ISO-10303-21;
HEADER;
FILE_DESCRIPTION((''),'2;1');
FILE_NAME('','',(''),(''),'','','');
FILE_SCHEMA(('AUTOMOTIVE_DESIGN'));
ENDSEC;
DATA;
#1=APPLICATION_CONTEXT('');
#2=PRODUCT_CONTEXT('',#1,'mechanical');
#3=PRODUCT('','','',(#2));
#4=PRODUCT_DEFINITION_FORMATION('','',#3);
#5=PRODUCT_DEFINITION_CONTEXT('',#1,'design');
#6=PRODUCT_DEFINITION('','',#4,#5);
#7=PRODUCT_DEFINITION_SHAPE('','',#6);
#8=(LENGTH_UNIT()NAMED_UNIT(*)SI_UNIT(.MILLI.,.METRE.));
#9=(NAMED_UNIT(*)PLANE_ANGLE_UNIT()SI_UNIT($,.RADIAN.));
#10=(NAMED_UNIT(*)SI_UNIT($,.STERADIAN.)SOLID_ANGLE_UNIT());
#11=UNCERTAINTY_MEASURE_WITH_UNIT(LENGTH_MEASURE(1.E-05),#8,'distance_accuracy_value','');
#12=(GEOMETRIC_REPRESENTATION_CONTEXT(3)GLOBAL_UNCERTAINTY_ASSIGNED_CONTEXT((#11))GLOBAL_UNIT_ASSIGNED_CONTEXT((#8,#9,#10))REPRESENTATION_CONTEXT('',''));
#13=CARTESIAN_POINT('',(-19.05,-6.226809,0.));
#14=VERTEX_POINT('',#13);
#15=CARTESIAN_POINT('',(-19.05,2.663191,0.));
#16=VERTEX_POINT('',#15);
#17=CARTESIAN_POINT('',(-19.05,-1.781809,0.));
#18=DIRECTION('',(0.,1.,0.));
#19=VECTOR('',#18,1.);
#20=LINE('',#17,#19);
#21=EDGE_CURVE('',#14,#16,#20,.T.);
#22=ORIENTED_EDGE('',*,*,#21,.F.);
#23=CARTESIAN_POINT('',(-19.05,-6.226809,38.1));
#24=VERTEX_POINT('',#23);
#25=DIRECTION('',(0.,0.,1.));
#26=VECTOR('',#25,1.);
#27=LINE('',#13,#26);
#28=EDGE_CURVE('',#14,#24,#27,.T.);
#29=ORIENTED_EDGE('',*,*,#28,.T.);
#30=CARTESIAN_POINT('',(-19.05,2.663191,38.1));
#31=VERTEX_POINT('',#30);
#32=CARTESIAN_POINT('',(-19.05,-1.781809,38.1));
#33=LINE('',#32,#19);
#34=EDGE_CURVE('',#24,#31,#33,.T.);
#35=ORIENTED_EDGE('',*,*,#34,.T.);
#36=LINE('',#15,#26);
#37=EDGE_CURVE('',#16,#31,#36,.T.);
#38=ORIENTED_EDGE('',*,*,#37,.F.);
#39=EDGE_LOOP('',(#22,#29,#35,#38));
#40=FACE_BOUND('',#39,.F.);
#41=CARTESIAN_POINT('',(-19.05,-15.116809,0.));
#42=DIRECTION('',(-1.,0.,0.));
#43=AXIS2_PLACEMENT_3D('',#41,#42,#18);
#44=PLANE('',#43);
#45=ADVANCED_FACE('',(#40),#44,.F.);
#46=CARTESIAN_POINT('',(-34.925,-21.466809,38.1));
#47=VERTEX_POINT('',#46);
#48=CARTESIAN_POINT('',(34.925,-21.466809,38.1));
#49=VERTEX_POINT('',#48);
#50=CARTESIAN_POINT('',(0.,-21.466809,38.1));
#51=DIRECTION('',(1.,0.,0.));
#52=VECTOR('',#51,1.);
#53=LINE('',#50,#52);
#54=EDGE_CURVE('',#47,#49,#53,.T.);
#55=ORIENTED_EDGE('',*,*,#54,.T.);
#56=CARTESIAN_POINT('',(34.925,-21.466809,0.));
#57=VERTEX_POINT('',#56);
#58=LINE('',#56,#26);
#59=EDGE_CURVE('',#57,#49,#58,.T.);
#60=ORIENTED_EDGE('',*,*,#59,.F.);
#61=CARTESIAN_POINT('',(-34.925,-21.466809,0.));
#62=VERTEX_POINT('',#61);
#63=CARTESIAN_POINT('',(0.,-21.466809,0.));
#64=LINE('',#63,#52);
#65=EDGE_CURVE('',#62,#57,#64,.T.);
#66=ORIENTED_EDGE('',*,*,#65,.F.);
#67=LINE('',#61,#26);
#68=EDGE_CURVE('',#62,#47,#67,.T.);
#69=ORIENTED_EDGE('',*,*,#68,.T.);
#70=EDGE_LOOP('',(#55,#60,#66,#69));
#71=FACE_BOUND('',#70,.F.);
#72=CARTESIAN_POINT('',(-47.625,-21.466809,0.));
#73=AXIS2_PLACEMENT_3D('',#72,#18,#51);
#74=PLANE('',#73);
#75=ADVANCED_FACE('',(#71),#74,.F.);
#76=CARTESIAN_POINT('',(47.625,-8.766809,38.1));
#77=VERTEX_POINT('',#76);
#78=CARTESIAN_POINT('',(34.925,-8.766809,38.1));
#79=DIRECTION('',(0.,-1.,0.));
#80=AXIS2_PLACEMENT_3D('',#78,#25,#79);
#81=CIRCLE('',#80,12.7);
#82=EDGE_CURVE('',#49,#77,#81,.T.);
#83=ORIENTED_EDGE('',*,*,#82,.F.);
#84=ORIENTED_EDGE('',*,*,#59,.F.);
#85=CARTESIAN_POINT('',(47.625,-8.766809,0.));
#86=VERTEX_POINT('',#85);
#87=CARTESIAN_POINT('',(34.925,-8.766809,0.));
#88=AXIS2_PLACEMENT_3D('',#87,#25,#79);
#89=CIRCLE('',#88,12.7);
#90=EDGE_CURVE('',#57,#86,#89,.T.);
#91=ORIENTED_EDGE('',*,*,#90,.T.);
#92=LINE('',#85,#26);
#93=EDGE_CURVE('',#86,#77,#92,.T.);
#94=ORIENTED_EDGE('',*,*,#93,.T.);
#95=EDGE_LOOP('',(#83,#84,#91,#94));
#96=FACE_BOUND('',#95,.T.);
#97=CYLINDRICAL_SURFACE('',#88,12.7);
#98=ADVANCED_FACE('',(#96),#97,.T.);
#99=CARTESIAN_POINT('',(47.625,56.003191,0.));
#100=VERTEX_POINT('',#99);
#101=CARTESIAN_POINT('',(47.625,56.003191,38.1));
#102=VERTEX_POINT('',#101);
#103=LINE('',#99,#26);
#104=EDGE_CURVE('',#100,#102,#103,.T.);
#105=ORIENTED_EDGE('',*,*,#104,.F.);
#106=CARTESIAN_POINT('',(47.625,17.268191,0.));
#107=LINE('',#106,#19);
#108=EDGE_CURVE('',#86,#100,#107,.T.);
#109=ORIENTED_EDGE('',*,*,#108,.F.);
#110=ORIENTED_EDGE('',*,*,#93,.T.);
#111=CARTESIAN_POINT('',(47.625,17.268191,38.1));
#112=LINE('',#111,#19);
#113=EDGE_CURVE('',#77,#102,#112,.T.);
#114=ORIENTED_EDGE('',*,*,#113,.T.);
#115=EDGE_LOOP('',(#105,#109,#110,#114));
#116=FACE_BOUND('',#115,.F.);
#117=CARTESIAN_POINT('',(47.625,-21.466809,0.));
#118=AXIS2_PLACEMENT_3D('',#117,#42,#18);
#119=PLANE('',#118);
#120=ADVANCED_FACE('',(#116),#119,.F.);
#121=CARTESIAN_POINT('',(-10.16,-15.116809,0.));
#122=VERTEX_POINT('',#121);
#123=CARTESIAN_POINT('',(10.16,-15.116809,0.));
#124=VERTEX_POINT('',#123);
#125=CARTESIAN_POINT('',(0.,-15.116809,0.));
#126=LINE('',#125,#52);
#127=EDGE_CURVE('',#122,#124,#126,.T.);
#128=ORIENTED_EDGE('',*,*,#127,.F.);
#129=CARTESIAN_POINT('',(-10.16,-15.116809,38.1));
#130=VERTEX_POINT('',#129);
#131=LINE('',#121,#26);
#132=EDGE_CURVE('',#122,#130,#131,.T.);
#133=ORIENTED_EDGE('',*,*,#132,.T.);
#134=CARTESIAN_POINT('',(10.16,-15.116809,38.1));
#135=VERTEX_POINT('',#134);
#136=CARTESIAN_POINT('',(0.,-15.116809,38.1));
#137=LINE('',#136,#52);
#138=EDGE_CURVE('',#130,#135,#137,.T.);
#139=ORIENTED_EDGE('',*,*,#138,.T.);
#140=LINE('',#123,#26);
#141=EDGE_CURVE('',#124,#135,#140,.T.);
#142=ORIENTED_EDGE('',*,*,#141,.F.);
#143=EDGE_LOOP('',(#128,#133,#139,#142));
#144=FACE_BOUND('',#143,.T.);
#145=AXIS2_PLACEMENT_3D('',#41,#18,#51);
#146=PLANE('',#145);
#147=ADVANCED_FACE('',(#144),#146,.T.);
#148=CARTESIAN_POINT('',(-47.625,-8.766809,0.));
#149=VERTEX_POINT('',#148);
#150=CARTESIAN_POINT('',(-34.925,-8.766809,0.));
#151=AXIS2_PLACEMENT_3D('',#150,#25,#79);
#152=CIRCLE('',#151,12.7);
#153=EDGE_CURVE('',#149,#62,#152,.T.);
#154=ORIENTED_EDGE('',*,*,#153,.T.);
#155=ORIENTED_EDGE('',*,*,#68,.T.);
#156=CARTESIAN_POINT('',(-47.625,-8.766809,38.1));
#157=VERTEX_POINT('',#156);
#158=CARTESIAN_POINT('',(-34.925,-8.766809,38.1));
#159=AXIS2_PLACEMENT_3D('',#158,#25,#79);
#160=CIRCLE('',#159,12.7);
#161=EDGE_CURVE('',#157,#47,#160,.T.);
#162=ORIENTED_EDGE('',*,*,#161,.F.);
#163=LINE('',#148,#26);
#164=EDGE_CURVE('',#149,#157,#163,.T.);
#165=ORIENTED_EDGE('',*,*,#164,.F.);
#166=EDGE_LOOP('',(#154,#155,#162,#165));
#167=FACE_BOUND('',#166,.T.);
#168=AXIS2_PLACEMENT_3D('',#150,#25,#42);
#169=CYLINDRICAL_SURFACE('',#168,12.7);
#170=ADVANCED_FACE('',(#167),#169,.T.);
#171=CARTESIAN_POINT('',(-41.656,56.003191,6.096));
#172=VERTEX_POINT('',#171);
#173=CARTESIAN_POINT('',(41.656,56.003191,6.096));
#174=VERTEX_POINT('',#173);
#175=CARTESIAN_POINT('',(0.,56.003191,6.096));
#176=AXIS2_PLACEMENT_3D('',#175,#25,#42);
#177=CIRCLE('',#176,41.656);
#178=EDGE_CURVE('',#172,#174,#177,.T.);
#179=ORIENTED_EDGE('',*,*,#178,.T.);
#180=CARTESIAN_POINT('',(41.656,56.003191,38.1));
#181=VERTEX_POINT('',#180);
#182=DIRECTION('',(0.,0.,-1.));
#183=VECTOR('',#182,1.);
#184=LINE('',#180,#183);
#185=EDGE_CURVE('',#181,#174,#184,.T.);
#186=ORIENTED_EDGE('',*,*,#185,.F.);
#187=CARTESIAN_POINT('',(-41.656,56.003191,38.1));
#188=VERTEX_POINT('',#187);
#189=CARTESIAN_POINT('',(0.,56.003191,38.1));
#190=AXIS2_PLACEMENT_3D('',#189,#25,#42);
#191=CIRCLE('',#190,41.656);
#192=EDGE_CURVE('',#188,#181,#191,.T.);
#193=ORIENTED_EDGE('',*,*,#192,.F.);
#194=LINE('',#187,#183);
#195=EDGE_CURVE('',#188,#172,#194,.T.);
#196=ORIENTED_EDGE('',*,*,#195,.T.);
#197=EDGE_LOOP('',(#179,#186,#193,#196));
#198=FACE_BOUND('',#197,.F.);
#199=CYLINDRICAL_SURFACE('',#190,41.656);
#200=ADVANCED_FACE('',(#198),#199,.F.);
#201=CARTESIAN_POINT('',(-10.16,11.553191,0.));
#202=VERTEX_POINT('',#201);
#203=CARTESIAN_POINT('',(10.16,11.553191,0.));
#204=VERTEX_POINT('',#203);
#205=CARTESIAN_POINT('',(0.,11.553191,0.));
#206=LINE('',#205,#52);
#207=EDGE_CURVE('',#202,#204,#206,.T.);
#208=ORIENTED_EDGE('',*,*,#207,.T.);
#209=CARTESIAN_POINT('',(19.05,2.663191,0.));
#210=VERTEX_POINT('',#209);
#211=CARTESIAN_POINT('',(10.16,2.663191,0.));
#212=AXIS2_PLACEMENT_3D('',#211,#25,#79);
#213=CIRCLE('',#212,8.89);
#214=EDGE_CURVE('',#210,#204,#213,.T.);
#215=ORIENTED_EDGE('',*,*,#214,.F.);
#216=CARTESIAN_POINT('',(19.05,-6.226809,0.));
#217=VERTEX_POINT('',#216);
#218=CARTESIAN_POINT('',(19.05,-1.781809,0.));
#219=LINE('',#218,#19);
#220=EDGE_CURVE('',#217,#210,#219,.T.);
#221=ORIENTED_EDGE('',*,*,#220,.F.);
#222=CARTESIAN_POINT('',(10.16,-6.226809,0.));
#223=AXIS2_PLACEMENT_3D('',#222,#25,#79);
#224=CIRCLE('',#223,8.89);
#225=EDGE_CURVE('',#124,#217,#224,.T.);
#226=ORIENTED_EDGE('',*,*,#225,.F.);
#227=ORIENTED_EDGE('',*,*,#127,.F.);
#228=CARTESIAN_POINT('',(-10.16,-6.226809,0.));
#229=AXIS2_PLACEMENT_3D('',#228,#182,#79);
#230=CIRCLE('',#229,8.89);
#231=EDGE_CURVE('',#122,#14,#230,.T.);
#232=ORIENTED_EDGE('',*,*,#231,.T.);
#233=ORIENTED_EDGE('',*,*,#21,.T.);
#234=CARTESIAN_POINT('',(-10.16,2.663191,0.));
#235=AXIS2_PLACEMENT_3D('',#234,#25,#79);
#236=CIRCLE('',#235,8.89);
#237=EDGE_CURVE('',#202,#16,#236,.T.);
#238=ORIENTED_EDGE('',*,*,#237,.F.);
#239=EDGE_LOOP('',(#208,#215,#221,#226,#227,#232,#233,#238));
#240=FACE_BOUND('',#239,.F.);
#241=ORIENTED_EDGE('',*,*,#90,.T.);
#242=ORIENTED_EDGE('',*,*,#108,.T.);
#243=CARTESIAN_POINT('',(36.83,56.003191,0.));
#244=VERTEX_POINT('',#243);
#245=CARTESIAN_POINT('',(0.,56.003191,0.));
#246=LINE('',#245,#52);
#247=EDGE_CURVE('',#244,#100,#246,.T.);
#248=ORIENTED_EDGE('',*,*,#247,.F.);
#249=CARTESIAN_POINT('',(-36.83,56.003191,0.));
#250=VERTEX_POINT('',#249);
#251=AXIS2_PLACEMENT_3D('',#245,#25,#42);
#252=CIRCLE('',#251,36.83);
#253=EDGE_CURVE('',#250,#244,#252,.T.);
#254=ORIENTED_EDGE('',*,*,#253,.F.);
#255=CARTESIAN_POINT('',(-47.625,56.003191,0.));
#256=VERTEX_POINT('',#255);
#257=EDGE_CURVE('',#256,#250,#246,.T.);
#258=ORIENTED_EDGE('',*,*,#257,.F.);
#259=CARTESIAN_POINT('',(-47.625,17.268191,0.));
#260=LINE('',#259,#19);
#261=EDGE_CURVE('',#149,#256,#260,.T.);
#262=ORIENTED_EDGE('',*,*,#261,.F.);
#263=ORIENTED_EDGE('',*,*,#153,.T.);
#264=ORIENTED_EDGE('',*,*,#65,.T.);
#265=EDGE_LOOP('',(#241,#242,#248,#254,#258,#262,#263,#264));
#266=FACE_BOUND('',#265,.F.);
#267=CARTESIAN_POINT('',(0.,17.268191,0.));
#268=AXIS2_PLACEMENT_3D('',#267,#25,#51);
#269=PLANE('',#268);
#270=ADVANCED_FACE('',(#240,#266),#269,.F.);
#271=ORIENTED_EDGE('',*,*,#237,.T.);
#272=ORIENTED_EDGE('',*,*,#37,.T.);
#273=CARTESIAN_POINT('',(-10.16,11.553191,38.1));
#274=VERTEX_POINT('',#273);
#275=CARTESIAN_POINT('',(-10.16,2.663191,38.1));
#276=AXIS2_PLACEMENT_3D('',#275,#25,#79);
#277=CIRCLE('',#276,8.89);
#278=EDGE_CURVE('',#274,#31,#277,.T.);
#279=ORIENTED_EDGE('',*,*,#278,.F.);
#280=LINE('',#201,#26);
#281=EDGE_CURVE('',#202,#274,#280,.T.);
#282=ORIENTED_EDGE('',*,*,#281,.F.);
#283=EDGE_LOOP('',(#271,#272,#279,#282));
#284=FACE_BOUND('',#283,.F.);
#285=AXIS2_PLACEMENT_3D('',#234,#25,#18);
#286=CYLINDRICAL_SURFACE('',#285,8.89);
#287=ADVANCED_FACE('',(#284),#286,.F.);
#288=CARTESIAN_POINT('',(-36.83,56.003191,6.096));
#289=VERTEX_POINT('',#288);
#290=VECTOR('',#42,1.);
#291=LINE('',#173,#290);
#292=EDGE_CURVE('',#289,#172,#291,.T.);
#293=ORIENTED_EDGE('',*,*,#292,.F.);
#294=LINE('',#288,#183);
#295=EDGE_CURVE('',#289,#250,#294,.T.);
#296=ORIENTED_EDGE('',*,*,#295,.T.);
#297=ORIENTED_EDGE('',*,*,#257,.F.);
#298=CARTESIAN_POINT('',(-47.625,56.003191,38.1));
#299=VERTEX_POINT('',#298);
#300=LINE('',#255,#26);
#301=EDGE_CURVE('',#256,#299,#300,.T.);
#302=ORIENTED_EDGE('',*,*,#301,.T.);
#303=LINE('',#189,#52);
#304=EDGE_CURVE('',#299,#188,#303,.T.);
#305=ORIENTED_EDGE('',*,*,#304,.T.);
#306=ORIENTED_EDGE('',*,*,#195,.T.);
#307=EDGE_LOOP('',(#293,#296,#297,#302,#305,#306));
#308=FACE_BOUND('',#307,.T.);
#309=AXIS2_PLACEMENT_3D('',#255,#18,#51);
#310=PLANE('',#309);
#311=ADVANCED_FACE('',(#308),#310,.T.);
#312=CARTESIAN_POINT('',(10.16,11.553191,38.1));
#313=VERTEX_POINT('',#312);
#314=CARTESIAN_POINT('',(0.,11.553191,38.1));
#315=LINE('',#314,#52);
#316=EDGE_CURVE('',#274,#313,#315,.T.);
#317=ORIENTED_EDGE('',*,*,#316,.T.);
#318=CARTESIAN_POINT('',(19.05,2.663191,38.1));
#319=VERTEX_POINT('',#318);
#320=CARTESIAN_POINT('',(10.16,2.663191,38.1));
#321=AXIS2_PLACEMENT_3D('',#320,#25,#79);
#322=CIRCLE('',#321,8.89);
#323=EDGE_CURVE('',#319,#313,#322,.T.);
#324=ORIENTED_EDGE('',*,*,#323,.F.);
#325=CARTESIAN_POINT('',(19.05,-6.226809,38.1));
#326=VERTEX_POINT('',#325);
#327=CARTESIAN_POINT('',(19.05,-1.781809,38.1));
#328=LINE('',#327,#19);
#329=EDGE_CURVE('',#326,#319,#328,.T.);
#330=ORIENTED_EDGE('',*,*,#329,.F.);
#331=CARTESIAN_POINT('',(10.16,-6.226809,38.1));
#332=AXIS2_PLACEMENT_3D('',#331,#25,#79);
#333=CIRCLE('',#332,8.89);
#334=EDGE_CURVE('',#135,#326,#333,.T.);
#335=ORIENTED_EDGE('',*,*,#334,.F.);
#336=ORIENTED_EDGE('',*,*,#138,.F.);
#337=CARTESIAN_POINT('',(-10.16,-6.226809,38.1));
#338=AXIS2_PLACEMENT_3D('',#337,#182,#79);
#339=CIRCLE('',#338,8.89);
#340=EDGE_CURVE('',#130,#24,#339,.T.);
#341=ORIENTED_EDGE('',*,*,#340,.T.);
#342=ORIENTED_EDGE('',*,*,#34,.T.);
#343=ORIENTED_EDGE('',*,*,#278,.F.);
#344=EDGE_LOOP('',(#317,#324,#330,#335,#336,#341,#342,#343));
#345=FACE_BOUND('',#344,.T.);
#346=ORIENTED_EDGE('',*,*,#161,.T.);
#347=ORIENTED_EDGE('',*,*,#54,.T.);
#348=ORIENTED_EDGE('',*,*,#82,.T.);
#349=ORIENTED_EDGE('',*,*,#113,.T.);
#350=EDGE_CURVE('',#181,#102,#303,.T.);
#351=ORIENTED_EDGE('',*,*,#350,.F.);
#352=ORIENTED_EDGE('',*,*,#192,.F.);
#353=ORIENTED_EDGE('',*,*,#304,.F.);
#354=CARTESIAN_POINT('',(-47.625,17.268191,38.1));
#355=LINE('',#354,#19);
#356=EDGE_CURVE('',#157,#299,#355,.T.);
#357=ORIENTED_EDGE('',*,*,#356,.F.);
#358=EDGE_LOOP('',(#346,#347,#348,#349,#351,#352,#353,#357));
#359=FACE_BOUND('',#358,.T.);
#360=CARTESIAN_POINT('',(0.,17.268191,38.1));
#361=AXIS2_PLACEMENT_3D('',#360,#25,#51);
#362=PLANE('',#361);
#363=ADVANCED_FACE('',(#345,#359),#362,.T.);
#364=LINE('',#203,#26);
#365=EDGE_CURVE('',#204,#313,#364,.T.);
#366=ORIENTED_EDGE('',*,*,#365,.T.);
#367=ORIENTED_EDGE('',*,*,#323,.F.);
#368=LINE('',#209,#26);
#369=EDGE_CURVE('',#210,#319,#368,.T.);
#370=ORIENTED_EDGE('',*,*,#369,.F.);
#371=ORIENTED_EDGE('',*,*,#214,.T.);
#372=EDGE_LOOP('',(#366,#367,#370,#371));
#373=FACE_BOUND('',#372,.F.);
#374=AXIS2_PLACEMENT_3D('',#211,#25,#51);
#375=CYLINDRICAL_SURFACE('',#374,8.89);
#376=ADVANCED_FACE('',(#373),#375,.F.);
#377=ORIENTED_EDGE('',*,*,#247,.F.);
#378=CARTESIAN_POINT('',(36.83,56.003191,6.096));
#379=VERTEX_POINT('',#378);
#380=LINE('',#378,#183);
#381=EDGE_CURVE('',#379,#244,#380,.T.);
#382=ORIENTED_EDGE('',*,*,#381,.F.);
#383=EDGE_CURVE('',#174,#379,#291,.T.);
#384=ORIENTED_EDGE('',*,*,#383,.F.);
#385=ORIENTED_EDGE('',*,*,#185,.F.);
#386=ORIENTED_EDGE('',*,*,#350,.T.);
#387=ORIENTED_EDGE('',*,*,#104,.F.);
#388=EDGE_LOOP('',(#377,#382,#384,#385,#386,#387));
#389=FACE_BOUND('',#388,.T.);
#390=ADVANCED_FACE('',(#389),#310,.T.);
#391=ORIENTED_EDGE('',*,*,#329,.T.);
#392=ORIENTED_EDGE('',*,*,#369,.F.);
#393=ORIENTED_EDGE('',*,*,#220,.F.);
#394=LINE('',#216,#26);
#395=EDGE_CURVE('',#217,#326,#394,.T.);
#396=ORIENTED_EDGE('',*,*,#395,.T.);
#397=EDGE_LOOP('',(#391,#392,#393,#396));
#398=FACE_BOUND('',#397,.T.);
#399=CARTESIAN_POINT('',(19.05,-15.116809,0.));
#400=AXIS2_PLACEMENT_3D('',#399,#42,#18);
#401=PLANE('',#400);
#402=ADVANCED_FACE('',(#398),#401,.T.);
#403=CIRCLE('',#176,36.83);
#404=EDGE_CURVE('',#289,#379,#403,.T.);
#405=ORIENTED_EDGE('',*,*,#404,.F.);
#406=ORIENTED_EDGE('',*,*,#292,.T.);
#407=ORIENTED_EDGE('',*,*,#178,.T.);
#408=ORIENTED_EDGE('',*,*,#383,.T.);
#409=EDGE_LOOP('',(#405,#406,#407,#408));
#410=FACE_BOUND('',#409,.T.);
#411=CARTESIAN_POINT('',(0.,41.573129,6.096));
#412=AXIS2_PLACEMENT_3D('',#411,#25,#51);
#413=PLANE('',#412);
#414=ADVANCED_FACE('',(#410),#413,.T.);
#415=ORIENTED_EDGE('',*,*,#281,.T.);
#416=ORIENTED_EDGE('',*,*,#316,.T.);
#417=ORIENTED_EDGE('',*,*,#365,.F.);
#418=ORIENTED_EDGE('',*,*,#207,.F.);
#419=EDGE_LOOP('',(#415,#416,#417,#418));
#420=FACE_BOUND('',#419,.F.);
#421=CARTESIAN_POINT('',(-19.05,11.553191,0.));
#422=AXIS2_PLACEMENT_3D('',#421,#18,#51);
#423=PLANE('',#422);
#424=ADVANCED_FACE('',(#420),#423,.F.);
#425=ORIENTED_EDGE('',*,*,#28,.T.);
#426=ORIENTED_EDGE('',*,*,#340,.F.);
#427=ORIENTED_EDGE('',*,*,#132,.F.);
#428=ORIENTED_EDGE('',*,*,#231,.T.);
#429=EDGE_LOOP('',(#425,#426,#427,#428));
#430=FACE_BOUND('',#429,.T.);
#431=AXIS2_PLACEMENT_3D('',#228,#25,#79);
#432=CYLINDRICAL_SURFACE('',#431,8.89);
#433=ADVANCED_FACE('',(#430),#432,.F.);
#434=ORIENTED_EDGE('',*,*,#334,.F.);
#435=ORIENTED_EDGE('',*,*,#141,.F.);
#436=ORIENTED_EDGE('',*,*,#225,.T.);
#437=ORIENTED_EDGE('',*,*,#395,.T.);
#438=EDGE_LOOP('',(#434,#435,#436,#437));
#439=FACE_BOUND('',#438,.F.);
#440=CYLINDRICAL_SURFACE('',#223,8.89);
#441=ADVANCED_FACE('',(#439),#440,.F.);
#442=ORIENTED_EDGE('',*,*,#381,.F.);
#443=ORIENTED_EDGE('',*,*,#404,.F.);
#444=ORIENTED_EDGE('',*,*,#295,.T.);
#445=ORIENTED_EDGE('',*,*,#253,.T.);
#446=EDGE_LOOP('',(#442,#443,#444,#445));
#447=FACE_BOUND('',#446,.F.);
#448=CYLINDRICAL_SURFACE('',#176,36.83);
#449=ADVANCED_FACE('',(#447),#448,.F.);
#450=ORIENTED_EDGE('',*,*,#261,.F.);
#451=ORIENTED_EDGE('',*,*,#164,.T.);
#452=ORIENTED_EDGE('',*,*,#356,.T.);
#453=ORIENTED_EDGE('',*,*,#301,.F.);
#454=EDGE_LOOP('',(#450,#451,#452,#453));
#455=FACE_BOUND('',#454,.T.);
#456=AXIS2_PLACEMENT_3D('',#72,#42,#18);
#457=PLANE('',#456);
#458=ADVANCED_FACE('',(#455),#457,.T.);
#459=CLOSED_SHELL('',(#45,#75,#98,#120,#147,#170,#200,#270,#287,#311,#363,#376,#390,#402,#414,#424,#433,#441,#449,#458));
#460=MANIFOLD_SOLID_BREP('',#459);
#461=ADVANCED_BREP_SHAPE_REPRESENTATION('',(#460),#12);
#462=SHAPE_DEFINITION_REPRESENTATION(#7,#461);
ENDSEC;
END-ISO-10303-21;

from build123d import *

# Parameters (mm, degrees)
F0_W     = 95.25
F0_H     = 77.47
F0_W_2   = 38.1
F0_H_2   = 26.67
F1_DEPTH = 38.1
F2_R     = 12.7
F3_R     = 8.89
F5_DEPTH = 32.004
F7_DEPTH = 25.4


with BuildPart() as f1:
    # F0 (on Top) → F1 (new body)
    with BuildSketch(Plane.XY):
        with Locations((0, 17.2681905271)):
            Rectangle(F0_W, F0_H)
        with Locations((0, -1.7818094729)):
            Rectangle(F0_W_2, F0_H_2, mode=Mode.SUBTRACT)
    extrude(amount=F1_DEPTH)

    # F2
    f2_edges = [f1.edges().sort_by_distance(p)[0] for p in [
        (47.625, -21.466809, 19.05),
        (-47.625, -21.466809, 19.05),
    ]]
    fillet(f2_edges, radius=F2_R)

    # F3
    f3_edges = [f1.edges().sort_by_distance(p)[0] for p in [
        (19.05, -15.116809, 19.05),
        (19.05, 11.553191, 19.05),
        (-19.05, 11.553191, 19.05),
        (-19.05, -15.116809, 19.05),
    ]]
    fillet(f3_edges, radius=F3_R)

    # F4 (on face) → F5 (cut)
    with BuildSketch(Plane.XY.offset(38.1)):
        with BuildLine():
            ThreePointArc((-41.656, 56.0031905271), (0, 14.3471905271), (41.656, 56.0031905271))
            Line((41.656, 56.0031905271), (-41.656, 56.0031905271))
        make_face()
    extrude(amount=-F5_DEPTH, mode=Mode.SUBTRACT)

    # F6 (on face) → F7 (cut)
    with BuildSketch(Plane.XY.offset(6.096)):
        with BuildLine():
            ThreePointArc((-36.83, 56.0031905271), (0, 19.1731905271), (36.83, 56.0031905271))
            Line((36.83, 56.0031905271), (-36.83, 56.0031905271))
        make_face()
    extrude(amount=-F7_DEPTH, mode=Mode.SUBTRACT)


solid = f1.part
